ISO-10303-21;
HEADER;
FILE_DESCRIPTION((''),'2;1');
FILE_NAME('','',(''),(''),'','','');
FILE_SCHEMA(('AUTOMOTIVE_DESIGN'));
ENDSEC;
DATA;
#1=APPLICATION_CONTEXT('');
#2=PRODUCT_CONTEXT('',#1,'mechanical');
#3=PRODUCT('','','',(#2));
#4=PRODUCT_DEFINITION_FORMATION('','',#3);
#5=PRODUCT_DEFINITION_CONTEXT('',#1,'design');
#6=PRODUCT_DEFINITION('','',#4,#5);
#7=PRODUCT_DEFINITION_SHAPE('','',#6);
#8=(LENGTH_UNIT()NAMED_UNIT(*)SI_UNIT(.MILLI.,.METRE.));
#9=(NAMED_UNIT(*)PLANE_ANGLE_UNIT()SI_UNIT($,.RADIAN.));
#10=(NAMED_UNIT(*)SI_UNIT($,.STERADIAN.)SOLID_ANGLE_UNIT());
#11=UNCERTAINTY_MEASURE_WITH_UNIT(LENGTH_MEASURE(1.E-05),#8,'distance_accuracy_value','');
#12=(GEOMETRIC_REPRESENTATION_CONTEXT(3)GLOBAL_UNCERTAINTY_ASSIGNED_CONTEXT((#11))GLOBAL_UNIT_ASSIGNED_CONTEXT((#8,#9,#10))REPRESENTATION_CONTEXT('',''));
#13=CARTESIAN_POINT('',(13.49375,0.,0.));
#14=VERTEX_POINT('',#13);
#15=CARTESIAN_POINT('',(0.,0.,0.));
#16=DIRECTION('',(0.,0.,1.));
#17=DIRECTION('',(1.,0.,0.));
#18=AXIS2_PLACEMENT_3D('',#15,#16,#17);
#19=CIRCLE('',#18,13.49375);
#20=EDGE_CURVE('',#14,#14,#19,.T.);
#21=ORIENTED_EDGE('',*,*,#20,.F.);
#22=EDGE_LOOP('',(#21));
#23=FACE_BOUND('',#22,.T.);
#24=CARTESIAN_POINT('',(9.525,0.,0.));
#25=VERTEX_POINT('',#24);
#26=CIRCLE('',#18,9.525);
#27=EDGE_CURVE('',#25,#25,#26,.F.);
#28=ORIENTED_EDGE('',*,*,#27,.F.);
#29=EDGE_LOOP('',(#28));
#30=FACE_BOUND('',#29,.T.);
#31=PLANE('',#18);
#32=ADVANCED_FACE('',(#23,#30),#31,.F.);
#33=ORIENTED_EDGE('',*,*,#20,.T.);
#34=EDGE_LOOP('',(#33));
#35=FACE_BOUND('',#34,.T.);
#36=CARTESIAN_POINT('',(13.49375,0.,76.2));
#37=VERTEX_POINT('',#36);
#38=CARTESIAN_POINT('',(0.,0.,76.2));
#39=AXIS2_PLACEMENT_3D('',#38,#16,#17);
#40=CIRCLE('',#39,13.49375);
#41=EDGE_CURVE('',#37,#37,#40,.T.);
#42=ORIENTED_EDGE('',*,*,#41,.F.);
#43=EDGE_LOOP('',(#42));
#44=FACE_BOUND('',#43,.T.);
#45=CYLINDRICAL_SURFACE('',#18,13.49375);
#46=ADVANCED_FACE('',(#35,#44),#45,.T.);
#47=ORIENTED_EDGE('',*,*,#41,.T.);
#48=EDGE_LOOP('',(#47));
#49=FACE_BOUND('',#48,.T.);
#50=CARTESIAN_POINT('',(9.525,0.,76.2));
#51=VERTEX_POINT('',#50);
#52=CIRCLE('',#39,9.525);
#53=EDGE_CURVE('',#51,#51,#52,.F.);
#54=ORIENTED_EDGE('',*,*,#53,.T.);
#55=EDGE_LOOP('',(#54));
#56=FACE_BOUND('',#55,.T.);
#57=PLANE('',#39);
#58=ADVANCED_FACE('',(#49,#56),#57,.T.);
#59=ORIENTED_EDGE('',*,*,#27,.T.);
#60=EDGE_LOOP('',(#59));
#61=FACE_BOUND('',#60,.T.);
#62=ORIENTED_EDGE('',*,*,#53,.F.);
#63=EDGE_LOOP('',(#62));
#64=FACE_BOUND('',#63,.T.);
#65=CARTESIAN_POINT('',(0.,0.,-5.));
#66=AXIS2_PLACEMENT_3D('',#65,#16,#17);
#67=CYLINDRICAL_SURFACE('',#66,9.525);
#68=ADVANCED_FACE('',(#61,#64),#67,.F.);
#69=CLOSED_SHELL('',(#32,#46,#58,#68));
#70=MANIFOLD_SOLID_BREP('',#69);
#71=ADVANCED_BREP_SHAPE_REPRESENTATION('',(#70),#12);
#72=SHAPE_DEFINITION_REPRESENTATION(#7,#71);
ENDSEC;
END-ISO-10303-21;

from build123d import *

# Parameters (mm, degrees)
SWEEP1_PROFILE_R     = 13.49375
CUT_SWEEP1_PROFILE_R = 9.525


with BuildPart() as part:
    # Sweep1: sweep along a curve in space
    with BuildLine() as sweep1_path:
        Line((0, 0, 0), (0, 0, 76.2))
    # Sweep1 profile (on start of the path) → Sweep1 (sweep)
    with BuildSketch(Plane.XY):
        Circle(SWEEP1_PROFILE_R)
    sweep(path=sweep1_path.line)

    # Cut-Sweep1: sweep along a curve in space
    with BuildLine() as cut_sweep1_path:
        Line((0, 0, 0), (0, 0, 76.2))
    # Cut-Sweep1 profile (on start of the path) → Cut-Sweep1 (sweep, cut)
    with BuildSketch(Plane.XY):
        Circle(CUT_SWEEP1_PROFILE_R)
    sweep(path=cut_sweep1_path.line, mode=Mode.SUBTRACT)


solid = part.part
